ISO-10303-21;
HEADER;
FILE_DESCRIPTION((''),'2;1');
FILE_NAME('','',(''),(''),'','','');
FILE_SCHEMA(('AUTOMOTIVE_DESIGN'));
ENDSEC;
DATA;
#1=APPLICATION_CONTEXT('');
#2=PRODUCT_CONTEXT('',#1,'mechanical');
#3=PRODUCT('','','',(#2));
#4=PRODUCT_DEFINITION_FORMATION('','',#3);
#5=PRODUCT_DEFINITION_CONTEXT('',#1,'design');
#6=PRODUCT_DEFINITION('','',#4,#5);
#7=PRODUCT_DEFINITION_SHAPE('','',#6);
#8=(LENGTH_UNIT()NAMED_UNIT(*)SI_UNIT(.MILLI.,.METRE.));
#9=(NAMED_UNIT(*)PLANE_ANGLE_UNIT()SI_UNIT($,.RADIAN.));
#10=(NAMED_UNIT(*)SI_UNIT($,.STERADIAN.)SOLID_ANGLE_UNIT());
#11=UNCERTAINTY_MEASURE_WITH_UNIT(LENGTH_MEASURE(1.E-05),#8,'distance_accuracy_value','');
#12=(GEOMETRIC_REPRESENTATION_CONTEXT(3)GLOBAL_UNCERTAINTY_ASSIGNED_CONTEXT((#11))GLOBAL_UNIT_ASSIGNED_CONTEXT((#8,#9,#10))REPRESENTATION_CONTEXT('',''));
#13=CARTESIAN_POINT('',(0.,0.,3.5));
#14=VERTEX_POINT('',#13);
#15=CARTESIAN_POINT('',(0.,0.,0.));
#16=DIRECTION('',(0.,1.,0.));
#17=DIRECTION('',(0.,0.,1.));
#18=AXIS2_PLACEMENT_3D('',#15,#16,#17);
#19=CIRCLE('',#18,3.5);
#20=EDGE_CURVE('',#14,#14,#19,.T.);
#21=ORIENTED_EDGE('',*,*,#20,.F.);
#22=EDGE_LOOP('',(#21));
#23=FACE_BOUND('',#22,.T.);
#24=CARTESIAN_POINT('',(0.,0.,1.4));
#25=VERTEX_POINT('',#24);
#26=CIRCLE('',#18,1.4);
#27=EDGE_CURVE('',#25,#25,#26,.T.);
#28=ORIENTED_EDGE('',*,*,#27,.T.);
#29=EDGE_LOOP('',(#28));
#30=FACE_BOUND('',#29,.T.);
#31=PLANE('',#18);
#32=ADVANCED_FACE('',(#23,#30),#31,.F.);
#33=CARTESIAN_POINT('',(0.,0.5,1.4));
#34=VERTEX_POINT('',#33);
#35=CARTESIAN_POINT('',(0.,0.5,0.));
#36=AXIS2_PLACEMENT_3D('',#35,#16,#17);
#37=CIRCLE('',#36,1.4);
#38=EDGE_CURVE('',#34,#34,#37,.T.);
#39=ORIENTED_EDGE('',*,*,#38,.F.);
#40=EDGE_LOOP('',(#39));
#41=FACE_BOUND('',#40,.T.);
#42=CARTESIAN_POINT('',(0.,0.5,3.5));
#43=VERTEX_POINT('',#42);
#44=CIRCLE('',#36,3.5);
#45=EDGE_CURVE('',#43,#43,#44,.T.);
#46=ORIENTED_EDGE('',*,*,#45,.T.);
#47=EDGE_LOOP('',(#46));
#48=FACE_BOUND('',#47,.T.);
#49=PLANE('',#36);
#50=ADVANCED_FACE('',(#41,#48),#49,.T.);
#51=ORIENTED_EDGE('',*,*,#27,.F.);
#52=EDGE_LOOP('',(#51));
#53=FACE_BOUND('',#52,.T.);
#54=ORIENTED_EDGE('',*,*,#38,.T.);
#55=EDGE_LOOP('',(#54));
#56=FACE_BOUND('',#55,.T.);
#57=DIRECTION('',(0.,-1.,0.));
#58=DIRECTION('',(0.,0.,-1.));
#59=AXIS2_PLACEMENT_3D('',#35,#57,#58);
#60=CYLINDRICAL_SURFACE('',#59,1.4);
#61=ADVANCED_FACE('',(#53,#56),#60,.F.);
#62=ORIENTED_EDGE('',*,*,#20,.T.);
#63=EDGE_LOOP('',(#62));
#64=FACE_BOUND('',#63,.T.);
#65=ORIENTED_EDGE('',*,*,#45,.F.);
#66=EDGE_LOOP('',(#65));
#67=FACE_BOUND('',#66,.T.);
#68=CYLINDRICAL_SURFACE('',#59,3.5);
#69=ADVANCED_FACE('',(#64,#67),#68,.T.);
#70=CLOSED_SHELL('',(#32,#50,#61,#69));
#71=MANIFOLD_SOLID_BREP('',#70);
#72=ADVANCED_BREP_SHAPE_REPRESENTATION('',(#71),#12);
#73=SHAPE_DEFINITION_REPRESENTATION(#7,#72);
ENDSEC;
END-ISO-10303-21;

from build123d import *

# Parameters (mm, degrees)
ESQUISSE1_R        = 3.5
ESQUISSE1_R_2      = 1.4
BOSS_EXTRU_1_DEPTH = 0.5


with BuildPart() as part:
    # Esquisse1 → Boss.-Extru.1 (new body)
    with BuildSketch(Plane(origin=(0, 0, 0), x_dir=(1, 0, 0), z_dir=(0, 1, 0))):
        Circle(ESQUISSE1_R)
        Circle(ESQUISSE1_R_2, mode=Mode.SUBTRACT)
    extrude(amount=BOSS_EXTRU_1_DEPTH)


solid = part.part
